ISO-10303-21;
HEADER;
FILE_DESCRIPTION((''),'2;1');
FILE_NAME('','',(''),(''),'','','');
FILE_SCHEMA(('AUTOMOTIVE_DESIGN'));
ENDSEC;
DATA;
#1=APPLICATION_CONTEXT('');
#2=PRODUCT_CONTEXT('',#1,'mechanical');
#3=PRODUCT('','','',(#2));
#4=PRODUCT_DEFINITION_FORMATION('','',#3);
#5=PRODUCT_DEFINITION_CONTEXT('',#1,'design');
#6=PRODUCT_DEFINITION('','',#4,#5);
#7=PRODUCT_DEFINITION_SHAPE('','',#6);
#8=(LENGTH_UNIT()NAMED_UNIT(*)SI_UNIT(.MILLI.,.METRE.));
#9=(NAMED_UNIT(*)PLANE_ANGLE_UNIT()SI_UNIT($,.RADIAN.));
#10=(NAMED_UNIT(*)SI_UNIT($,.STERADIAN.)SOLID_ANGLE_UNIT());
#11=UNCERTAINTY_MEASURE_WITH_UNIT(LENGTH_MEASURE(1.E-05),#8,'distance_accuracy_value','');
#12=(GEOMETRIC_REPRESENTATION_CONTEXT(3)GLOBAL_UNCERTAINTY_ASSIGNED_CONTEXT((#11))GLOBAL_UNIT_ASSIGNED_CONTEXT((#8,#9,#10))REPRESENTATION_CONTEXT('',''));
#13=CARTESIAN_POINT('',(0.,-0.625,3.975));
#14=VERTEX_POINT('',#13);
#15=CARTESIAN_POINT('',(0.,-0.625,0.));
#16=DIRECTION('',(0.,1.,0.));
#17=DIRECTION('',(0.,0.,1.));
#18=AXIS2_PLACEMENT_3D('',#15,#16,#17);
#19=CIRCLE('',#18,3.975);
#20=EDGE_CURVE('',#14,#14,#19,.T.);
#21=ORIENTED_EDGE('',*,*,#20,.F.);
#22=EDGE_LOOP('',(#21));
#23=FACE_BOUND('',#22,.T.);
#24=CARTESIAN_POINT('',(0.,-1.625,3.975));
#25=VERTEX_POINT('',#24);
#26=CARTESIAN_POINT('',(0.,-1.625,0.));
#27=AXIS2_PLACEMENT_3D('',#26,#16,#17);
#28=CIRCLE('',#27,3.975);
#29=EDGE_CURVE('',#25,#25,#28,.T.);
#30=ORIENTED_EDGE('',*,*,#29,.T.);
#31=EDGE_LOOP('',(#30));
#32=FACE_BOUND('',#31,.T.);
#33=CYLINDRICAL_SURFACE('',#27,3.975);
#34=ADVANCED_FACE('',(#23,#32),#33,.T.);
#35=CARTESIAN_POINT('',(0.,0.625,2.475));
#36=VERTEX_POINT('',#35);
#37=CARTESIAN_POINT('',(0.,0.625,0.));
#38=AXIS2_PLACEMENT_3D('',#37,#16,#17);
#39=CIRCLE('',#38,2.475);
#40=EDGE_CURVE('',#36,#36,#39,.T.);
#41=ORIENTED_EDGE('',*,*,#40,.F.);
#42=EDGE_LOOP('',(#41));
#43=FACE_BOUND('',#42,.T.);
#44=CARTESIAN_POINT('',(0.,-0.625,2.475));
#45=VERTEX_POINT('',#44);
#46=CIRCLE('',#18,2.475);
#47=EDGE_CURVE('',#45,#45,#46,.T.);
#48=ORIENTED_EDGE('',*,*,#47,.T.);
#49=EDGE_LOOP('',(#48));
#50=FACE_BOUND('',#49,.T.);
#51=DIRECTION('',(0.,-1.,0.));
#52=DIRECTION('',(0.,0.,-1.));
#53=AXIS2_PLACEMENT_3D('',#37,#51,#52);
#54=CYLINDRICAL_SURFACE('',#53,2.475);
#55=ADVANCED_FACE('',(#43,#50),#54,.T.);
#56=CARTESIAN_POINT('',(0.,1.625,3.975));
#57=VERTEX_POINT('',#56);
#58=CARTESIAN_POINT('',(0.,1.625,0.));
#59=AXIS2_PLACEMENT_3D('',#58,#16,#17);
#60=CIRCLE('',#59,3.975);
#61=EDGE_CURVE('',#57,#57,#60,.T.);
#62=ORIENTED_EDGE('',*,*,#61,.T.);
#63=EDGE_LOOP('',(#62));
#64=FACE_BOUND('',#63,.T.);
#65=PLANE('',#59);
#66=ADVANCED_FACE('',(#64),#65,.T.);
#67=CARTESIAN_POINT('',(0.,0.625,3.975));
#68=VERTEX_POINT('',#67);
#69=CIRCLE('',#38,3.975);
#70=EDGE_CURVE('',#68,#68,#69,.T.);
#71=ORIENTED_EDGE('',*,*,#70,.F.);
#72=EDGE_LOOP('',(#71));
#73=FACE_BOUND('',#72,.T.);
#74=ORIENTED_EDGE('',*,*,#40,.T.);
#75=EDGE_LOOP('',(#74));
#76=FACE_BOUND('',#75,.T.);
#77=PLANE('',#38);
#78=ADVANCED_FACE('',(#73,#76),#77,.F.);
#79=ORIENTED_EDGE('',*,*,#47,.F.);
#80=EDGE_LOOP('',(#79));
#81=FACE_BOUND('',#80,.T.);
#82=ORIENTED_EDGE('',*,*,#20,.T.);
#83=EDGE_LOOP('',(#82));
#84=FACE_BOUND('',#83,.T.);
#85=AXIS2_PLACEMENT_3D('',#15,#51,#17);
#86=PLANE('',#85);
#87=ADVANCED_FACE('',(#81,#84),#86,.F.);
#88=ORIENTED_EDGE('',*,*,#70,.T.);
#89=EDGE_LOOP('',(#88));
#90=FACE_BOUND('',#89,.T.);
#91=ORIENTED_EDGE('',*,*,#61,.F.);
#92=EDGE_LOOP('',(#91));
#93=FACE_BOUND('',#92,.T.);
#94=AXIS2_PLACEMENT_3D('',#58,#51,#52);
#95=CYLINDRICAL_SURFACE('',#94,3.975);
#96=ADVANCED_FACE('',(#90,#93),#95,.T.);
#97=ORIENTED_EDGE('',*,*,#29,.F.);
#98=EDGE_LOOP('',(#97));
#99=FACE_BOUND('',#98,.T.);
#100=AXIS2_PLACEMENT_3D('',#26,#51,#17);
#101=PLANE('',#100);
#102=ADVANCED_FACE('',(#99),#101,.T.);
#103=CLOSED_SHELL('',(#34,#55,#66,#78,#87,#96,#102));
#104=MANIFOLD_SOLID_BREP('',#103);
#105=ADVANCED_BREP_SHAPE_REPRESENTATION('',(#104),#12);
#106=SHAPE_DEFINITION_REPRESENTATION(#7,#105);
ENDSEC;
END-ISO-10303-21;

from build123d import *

# Parameters (mm, degrees)
SKETCH1_R           = 2.475
BOSS_EXTRUDE1_DEPTH = 0.625
SKETCH3_R           = 3.975
BOSS_EXTRUDE2_DEPTH = 1


with BuildPart() as part:
    # Sketch1 → Boss-Extrude1 (new, symmetric)
    with BuildSketch(Plane(origin=(0, 0, 0), x_dir=(1, 0, 0), z_dir=(0, 1, 0))):
        with Locations(Location((0, 0, 0), (0, 0, 270))):
            Circle(SKETCH1_R)
    extrude(amount=BOSS_EXTRUDE1_DEPTH, both=True)

    # Sketch3 → Boss-Extrude2 (add)
    with BuildSketch(Plane(origin=(0, 0.625, 0), x_dir=(1, 0, 0), z_dir=(0, 1, 0))):
        with Locations(Location((0, 0, 0), (0, 0, 270))):
            Circle(SKETCH3_R)
    boss_extrude2 = extrude(amount=BOSS_EXTRUDE2_DEPTH)

    # Mirror1: Boss-Extrude2 across plane
    add(boss_extrude2.mirror(Plane.ZX))


solid = part.part
